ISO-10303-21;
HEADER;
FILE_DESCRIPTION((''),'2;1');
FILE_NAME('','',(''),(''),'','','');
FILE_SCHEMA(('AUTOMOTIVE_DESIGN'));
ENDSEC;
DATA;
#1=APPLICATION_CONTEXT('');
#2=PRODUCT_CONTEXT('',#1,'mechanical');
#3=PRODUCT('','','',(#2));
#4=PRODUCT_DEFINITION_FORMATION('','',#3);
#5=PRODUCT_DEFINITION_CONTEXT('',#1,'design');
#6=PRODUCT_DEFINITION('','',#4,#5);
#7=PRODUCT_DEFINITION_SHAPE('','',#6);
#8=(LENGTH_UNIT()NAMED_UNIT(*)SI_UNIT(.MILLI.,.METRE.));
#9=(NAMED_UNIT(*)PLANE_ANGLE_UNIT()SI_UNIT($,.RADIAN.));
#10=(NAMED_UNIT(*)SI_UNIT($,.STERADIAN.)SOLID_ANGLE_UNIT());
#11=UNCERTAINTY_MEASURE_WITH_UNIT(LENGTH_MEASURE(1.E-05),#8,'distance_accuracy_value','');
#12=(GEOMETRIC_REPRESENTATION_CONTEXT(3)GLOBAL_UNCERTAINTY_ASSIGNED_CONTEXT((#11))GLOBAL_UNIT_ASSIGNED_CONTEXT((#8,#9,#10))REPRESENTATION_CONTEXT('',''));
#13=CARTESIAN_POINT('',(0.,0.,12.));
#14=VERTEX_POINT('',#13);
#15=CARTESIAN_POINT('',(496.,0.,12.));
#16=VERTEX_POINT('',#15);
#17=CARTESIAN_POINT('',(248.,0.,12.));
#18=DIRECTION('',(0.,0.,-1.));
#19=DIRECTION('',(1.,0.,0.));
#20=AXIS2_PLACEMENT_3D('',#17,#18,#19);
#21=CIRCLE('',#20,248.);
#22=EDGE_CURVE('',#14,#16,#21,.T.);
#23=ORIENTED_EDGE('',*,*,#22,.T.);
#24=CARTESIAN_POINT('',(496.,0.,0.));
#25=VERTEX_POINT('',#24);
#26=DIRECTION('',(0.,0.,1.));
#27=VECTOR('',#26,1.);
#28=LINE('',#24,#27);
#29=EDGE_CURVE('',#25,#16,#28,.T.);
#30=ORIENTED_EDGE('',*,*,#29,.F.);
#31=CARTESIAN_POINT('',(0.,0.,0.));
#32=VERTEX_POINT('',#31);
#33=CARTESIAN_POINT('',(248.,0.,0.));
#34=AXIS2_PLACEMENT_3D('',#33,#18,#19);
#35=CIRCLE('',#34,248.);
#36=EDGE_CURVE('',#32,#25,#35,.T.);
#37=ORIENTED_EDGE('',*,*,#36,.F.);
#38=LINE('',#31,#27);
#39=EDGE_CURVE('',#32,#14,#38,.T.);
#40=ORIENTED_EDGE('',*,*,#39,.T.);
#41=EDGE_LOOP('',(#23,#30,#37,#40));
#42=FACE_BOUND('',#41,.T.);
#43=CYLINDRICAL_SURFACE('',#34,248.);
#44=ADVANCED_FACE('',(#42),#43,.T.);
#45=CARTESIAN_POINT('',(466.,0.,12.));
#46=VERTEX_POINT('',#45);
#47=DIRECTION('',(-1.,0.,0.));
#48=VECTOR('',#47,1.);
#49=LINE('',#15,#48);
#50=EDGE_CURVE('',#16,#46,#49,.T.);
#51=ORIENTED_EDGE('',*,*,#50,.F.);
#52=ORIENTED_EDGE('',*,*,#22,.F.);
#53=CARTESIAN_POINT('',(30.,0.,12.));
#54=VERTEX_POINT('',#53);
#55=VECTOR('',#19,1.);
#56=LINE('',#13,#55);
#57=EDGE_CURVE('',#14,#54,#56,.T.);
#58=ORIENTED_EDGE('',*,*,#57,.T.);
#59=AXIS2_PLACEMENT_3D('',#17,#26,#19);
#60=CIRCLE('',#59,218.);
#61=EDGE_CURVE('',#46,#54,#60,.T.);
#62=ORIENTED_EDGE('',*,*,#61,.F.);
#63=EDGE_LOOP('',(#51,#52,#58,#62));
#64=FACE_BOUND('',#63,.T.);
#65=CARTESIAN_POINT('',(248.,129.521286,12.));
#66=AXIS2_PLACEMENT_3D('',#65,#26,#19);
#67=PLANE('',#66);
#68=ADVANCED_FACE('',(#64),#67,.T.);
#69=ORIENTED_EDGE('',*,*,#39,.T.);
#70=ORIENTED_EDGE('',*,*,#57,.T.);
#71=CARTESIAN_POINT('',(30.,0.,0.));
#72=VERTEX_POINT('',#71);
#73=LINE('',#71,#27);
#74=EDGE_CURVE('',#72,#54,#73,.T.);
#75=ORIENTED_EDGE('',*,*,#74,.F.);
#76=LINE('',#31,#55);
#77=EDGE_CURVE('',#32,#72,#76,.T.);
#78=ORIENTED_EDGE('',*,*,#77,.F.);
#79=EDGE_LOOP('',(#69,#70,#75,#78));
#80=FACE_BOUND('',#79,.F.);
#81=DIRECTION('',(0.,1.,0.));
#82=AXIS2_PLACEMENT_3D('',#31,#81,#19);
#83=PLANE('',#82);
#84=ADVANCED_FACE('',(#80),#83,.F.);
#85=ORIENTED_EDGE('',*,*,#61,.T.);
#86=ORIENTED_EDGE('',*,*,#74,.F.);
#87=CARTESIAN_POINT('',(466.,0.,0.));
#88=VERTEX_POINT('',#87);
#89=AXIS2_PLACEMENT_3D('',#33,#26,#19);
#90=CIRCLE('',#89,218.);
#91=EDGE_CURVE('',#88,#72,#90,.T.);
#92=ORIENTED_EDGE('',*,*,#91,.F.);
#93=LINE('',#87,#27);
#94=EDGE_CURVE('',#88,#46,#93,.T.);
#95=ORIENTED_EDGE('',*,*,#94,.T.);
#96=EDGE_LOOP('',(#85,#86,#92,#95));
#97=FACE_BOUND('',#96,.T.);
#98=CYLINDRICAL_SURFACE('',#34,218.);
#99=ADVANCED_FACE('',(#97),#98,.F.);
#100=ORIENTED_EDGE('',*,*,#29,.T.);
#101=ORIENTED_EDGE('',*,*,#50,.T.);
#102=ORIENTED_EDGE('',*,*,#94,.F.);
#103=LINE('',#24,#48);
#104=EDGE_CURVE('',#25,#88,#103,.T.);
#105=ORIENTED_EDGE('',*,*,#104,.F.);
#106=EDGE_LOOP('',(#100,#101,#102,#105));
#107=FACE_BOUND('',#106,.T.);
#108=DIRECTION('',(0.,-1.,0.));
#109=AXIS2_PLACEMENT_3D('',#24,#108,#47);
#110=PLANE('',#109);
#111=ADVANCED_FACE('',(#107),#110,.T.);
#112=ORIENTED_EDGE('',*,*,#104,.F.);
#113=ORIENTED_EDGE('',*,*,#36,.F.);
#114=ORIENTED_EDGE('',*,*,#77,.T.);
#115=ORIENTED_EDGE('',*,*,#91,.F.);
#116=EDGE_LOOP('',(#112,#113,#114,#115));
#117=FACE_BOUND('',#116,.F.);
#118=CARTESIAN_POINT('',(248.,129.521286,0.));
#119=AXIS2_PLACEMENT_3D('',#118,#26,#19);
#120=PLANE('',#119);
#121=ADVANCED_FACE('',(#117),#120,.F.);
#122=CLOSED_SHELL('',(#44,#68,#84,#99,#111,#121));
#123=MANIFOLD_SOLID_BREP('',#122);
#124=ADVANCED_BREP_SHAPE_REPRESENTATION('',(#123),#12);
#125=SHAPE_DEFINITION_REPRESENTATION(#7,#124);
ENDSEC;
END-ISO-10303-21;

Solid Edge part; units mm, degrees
sketch "Sketch1" plane through (0, 0, 0) normal (0, 0, 1) x (1, 0, 0)
  line L0 (0, 0) -> (30, 0)
  arc A0 (466, 0) -> (30, 0) centre (248, 0) ccw
  line L1 (496, 0) -> (466, 0)
  arc A1 (0, 0) -> (496, 0) centre (248, 0) cw
  dimension "D1" = 496
extrude "Protrusion1" add sketch "Sketch1" along normal blind 12
